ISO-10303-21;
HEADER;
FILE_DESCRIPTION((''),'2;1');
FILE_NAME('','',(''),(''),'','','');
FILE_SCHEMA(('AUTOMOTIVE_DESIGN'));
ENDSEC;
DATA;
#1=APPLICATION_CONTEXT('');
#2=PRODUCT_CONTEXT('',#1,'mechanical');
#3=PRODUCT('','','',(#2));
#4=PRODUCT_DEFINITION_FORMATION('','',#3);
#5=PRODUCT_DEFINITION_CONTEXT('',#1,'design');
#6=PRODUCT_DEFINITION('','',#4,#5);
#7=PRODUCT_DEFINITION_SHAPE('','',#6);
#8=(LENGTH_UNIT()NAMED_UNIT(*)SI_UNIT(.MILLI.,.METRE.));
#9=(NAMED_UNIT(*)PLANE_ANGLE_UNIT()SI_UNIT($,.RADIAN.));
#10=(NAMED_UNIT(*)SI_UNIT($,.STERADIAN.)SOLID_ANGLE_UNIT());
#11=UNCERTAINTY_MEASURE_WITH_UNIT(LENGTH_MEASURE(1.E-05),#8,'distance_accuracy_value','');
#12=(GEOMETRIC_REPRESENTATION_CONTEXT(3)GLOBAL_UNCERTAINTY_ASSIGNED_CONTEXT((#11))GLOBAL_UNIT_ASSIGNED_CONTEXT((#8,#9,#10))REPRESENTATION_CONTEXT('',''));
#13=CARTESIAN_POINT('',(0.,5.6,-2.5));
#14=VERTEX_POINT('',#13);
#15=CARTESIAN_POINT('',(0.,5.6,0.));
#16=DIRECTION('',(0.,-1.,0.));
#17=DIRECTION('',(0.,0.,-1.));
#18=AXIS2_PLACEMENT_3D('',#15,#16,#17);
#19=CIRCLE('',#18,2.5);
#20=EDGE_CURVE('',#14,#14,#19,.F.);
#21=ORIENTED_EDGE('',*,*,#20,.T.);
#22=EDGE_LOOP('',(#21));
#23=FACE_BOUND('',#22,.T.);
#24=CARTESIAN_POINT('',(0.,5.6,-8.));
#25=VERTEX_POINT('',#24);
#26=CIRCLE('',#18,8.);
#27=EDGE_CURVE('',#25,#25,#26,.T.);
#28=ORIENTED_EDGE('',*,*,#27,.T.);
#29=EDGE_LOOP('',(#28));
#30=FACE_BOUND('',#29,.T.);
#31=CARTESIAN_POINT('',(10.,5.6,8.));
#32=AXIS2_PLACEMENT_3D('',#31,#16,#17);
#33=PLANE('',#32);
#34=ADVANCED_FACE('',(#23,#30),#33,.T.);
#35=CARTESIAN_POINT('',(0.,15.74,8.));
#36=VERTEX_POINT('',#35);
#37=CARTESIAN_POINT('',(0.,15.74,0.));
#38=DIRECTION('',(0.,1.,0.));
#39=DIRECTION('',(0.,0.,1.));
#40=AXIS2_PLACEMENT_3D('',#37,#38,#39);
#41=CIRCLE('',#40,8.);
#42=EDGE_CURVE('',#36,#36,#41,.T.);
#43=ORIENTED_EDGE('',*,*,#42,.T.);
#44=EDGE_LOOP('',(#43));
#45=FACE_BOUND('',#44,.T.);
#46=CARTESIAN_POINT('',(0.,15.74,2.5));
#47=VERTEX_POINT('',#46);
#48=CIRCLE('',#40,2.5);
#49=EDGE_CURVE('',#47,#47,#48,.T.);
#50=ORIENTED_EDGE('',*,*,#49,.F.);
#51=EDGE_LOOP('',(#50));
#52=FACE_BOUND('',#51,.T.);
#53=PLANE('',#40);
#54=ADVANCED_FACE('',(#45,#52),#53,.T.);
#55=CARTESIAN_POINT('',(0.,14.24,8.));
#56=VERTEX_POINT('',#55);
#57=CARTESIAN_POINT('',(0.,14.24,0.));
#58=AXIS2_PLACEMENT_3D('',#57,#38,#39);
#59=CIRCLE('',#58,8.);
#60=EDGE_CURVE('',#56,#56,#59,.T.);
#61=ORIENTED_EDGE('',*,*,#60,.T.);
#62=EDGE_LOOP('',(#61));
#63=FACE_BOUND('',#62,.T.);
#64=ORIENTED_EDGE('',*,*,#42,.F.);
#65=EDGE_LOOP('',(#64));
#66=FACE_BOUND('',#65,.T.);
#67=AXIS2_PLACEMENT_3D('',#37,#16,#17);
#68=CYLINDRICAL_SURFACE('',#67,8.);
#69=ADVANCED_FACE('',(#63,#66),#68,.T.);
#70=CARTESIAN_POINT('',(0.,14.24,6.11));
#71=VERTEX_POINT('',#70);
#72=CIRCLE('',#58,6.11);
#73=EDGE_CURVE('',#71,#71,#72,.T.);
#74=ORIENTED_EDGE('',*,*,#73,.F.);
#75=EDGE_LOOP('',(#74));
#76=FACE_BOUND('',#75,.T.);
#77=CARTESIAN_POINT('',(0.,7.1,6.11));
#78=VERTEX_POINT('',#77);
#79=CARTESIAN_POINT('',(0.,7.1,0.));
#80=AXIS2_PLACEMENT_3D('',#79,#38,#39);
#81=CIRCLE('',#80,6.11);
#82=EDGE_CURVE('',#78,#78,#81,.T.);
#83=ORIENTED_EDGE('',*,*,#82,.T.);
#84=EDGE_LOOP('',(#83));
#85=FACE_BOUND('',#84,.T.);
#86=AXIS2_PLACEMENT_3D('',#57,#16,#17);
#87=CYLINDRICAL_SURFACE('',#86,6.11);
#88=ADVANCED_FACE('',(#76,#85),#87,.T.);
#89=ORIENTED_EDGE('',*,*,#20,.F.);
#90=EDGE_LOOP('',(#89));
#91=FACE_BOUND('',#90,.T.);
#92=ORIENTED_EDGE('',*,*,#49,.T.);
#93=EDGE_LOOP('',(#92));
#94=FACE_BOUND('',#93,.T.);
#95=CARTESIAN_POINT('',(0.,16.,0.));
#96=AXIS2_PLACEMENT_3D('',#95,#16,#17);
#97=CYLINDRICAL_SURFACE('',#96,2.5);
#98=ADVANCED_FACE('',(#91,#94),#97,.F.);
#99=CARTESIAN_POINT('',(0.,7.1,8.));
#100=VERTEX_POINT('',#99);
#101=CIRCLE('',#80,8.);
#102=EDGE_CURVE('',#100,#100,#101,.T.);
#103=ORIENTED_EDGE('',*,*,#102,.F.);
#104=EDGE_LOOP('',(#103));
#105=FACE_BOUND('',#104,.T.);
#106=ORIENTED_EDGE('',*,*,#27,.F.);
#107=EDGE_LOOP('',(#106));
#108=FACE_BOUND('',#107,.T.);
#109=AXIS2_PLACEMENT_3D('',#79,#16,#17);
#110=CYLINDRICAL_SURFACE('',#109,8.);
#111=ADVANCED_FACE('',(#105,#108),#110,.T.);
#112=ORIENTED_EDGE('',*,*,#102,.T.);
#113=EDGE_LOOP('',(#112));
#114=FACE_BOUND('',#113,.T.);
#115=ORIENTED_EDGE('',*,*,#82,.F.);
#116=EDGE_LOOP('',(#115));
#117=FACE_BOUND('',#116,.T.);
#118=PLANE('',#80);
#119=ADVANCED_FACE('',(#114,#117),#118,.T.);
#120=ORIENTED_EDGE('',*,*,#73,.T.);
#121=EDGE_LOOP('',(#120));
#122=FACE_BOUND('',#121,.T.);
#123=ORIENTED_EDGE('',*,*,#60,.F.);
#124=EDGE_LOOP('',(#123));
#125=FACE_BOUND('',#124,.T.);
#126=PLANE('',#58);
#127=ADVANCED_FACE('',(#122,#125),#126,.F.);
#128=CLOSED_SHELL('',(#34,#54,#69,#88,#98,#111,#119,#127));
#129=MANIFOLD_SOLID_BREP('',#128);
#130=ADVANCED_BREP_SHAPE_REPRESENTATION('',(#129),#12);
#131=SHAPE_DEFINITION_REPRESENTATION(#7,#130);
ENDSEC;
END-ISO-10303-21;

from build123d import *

# Parameters (mm, degrees)
SKETCH1_R               = 8
BOSS_EXTRUDE1_DEPTH     = 7.1
SKETCH2_R               = 6.11
BOSS_EXTRUDE2_DEPTH     = 7.14
SKETCH5_R               = 2.5
CUT_EXTRUDE2_DEPTH      = 16
SKETCH8_R               = 8
BOSS_EXTRUDE4_DEPTH     = 1.5
SKETCH9_R               = 2.5
CUT_EXTRUDE4_DEPTH      = 15.74
SKETCH10_W              = 16
SKETCH10_H              = 6
CUT_EXTRUDE5_DEPTH      = 10
CUT_EXTRUDE5_DEPTH_BACK = 10


with BuildPart() as part:
    # Sketch1 → Boss-Extrude1 (new body)
    with BuildSketch(Plane(origin=(0, 0, 0), x_dir=(1, 0, 0), z_dir=(0, 1, 0))):
        Circle(SKETCH1_R)
    extrude(amount=BOSS_EXTRUDE1_DEPTH)

    # Sketch2 → Boss-Extrude2 (add)
    with BuildSketch(Plane(origin=(0, 7.1, 0), x_dir=(1, 0, 0), z_dir=(0, 1, 0))):
        Circle(SKETCH2_R)
    extrude(amount=BOSS_EXTRUDE2_DEPTH)

    # Sketch5 → Cut-Extrude2 (cut)
    with BuildSketch(Plane.XZ):
        Circle(SKETCH5_R)
    extrude(amount=-CUT_EXTRUDE2_DEPTH, mode=Mode.SUBTRACT)

    # Sketch8 → Boss-Extrude4 (add)
    with BuildSketch(Plane(origin=(0, 14.24, 0), x_dir=(1, 0, 0), z_dir=(0, 1, 0))):
        Circle(SKETCH8_R)
    extrude(amount=BOSS_EXTRUDE4_DEPTH)

    # Sketch9 → Cut-Extrude4 (cut)
    with BuildSketch(Plane(origin=(0, 15.74, 0), x_dir=(1, 0, 0), z_dir=(0, 1, 0))):
        Circle(SKETCH9_R)
    extrude(amount=-CUT_EXTRUDE4_DEPTH, mode=Mode.SUBTRACT)

    # Sketch10 → Cut-Extrude5 (cut, two sides)
    with BuildSketch(Plane(origin=(0, 0, 0), x_dir=(0, 0, -1), z_dir=(1, 0, 0))) as cut_extrude5_sk:
        with Locations((0, 2.6)):
            Rectangle(SKETCH10_W, SKETCH10_H)
    extrude(amount=CUT_EXTRUDE5_DEPTH, mode=Mode.SUBTRACT)
    extrude(cut_extrude5_sk.sketch, amount=-CUT_EXTRUDE5_DEPTH_BACK, mode=Mode.SUBTRACT)


solid = part.part
